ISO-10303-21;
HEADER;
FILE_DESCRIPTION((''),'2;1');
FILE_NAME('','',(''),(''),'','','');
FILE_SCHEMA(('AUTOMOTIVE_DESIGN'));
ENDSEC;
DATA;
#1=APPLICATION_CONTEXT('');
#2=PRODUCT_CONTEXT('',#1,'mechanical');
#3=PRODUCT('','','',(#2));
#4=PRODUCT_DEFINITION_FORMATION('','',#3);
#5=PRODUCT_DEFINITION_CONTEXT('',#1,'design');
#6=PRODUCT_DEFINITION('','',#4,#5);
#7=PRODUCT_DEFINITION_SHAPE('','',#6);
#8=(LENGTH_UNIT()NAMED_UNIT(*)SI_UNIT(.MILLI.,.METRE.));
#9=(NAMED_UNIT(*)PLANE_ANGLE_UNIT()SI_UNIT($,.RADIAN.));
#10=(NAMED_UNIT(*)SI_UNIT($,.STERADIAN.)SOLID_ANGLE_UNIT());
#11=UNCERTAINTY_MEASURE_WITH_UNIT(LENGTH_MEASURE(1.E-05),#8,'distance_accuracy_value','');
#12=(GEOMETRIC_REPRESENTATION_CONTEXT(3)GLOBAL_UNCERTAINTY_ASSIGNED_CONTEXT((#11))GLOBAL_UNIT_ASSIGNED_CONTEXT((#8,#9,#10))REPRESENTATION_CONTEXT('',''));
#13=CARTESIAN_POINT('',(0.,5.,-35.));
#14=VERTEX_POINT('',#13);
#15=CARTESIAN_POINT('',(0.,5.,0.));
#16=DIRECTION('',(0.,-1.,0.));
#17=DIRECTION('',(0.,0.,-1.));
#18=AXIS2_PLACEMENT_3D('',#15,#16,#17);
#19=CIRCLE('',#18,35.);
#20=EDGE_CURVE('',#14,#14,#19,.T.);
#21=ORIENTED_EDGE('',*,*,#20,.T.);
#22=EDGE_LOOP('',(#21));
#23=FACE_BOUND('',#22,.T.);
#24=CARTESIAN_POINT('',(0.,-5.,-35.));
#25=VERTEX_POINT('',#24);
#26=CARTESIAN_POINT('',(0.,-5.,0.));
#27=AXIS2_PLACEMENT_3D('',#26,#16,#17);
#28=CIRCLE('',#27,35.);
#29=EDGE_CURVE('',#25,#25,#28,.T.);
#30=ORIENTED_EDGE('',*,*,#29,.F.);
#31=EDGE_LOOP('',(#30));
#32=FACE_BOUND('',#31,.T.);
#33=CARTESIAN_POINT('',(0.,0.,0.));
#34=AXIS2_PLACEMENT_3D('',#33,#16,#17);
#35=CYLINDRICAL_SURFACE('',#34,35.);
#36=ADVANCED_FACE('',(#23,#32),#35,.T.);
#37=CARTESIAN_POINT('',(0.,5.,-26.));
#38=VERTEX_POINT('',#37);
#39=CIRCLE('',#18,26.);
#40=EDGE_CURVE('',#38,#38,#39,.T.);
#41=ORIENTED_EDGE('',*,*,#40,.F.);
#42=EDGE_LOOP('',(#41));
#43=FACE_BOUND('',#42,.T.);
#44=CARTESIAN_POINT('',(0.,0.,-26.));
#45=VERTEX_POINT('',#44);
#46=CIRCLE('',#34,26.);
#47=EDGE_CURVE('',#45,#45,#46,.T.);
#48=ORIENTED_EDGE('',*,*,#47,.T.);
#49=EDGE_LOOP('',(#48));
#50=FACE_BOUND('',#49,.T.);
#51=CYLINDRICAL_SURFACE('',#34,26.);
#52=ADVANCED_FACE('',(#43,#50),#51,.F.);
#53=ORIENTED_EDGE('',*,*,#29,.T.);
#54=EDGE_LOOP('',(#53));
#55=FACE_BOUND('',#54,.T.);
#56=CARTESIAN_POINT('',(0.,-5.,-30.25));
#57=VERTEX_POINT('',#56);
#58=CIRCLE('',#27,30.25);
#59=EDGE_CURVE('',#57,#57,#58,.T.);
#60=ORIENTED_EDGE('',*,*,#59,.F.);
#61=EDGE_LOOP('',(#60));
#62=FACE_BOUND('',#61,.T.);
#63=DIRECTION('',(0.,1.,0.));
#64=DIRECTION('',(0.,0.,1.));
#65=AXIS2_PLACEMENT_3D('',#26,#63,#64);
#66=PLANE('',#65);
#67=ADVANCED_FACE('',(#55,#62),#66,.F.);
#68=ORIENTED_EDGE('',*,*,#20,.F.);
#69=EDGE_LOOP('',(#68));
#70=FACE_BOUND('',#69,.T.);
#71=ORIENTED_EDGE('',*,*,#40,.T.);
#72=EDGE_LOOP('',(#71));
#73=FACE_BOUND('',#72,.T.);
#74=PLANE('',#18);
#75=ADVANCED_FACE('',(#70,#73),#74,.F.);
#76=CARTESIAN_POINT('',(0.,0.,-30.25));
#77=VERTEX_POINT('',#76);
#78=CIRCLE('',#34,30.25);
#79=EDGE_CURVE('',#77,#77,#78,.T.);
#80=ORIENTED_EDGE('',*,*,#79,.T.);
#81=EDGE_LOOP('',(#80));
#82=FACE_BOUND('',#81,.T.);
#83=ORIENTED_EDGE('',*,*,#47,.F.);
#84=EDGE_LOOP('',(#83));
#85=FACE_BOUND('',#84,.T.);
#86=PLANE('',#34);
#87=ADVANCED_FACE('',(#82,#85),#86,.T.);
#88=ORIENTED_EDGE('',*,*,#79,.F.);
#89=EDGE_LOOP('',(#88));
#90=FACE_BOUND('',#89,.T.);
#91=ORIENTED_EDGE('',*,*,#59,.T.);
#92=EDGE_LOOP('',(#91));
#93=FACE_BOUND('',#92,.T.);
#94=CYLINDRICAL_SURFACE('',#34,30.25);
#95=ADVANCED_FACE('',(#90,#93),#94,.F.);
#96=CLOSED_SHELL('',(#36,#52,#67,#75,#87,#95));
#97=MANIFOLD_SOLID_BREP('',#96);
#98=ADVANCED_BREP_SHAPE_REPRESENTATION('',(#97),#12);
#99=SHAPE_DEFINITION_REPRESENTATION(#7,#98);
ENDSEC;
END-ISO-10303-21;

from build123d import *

# Parameters (mm, degrees)
SKETCH1_W   = 9
SKETCH1_H   = 5
SKETCH1_W_2 = 4.75


with BuildPart() as part:
    # Sketch1 → Revolve1 (revolve)
    with BuildSketch(Plane.XY, mode=Mode.PRIVATE) as revolve1_sk:
        with Locations((-30.5, 2.5)):
            Rectangle(SKETCH1_W, SKETCH1_H)
        with Locations((-32.625, -2.5)):
            Rectangle(SKETCH1_W_2, SKETCH1_H)
    revolve(revolve1_sk.sketch.rotate(Axis((0, 0, 0), (0, 1, 0)), 270), axis=Axis((0, 0, 0), (0, 1, 0)))


solid = part.part
